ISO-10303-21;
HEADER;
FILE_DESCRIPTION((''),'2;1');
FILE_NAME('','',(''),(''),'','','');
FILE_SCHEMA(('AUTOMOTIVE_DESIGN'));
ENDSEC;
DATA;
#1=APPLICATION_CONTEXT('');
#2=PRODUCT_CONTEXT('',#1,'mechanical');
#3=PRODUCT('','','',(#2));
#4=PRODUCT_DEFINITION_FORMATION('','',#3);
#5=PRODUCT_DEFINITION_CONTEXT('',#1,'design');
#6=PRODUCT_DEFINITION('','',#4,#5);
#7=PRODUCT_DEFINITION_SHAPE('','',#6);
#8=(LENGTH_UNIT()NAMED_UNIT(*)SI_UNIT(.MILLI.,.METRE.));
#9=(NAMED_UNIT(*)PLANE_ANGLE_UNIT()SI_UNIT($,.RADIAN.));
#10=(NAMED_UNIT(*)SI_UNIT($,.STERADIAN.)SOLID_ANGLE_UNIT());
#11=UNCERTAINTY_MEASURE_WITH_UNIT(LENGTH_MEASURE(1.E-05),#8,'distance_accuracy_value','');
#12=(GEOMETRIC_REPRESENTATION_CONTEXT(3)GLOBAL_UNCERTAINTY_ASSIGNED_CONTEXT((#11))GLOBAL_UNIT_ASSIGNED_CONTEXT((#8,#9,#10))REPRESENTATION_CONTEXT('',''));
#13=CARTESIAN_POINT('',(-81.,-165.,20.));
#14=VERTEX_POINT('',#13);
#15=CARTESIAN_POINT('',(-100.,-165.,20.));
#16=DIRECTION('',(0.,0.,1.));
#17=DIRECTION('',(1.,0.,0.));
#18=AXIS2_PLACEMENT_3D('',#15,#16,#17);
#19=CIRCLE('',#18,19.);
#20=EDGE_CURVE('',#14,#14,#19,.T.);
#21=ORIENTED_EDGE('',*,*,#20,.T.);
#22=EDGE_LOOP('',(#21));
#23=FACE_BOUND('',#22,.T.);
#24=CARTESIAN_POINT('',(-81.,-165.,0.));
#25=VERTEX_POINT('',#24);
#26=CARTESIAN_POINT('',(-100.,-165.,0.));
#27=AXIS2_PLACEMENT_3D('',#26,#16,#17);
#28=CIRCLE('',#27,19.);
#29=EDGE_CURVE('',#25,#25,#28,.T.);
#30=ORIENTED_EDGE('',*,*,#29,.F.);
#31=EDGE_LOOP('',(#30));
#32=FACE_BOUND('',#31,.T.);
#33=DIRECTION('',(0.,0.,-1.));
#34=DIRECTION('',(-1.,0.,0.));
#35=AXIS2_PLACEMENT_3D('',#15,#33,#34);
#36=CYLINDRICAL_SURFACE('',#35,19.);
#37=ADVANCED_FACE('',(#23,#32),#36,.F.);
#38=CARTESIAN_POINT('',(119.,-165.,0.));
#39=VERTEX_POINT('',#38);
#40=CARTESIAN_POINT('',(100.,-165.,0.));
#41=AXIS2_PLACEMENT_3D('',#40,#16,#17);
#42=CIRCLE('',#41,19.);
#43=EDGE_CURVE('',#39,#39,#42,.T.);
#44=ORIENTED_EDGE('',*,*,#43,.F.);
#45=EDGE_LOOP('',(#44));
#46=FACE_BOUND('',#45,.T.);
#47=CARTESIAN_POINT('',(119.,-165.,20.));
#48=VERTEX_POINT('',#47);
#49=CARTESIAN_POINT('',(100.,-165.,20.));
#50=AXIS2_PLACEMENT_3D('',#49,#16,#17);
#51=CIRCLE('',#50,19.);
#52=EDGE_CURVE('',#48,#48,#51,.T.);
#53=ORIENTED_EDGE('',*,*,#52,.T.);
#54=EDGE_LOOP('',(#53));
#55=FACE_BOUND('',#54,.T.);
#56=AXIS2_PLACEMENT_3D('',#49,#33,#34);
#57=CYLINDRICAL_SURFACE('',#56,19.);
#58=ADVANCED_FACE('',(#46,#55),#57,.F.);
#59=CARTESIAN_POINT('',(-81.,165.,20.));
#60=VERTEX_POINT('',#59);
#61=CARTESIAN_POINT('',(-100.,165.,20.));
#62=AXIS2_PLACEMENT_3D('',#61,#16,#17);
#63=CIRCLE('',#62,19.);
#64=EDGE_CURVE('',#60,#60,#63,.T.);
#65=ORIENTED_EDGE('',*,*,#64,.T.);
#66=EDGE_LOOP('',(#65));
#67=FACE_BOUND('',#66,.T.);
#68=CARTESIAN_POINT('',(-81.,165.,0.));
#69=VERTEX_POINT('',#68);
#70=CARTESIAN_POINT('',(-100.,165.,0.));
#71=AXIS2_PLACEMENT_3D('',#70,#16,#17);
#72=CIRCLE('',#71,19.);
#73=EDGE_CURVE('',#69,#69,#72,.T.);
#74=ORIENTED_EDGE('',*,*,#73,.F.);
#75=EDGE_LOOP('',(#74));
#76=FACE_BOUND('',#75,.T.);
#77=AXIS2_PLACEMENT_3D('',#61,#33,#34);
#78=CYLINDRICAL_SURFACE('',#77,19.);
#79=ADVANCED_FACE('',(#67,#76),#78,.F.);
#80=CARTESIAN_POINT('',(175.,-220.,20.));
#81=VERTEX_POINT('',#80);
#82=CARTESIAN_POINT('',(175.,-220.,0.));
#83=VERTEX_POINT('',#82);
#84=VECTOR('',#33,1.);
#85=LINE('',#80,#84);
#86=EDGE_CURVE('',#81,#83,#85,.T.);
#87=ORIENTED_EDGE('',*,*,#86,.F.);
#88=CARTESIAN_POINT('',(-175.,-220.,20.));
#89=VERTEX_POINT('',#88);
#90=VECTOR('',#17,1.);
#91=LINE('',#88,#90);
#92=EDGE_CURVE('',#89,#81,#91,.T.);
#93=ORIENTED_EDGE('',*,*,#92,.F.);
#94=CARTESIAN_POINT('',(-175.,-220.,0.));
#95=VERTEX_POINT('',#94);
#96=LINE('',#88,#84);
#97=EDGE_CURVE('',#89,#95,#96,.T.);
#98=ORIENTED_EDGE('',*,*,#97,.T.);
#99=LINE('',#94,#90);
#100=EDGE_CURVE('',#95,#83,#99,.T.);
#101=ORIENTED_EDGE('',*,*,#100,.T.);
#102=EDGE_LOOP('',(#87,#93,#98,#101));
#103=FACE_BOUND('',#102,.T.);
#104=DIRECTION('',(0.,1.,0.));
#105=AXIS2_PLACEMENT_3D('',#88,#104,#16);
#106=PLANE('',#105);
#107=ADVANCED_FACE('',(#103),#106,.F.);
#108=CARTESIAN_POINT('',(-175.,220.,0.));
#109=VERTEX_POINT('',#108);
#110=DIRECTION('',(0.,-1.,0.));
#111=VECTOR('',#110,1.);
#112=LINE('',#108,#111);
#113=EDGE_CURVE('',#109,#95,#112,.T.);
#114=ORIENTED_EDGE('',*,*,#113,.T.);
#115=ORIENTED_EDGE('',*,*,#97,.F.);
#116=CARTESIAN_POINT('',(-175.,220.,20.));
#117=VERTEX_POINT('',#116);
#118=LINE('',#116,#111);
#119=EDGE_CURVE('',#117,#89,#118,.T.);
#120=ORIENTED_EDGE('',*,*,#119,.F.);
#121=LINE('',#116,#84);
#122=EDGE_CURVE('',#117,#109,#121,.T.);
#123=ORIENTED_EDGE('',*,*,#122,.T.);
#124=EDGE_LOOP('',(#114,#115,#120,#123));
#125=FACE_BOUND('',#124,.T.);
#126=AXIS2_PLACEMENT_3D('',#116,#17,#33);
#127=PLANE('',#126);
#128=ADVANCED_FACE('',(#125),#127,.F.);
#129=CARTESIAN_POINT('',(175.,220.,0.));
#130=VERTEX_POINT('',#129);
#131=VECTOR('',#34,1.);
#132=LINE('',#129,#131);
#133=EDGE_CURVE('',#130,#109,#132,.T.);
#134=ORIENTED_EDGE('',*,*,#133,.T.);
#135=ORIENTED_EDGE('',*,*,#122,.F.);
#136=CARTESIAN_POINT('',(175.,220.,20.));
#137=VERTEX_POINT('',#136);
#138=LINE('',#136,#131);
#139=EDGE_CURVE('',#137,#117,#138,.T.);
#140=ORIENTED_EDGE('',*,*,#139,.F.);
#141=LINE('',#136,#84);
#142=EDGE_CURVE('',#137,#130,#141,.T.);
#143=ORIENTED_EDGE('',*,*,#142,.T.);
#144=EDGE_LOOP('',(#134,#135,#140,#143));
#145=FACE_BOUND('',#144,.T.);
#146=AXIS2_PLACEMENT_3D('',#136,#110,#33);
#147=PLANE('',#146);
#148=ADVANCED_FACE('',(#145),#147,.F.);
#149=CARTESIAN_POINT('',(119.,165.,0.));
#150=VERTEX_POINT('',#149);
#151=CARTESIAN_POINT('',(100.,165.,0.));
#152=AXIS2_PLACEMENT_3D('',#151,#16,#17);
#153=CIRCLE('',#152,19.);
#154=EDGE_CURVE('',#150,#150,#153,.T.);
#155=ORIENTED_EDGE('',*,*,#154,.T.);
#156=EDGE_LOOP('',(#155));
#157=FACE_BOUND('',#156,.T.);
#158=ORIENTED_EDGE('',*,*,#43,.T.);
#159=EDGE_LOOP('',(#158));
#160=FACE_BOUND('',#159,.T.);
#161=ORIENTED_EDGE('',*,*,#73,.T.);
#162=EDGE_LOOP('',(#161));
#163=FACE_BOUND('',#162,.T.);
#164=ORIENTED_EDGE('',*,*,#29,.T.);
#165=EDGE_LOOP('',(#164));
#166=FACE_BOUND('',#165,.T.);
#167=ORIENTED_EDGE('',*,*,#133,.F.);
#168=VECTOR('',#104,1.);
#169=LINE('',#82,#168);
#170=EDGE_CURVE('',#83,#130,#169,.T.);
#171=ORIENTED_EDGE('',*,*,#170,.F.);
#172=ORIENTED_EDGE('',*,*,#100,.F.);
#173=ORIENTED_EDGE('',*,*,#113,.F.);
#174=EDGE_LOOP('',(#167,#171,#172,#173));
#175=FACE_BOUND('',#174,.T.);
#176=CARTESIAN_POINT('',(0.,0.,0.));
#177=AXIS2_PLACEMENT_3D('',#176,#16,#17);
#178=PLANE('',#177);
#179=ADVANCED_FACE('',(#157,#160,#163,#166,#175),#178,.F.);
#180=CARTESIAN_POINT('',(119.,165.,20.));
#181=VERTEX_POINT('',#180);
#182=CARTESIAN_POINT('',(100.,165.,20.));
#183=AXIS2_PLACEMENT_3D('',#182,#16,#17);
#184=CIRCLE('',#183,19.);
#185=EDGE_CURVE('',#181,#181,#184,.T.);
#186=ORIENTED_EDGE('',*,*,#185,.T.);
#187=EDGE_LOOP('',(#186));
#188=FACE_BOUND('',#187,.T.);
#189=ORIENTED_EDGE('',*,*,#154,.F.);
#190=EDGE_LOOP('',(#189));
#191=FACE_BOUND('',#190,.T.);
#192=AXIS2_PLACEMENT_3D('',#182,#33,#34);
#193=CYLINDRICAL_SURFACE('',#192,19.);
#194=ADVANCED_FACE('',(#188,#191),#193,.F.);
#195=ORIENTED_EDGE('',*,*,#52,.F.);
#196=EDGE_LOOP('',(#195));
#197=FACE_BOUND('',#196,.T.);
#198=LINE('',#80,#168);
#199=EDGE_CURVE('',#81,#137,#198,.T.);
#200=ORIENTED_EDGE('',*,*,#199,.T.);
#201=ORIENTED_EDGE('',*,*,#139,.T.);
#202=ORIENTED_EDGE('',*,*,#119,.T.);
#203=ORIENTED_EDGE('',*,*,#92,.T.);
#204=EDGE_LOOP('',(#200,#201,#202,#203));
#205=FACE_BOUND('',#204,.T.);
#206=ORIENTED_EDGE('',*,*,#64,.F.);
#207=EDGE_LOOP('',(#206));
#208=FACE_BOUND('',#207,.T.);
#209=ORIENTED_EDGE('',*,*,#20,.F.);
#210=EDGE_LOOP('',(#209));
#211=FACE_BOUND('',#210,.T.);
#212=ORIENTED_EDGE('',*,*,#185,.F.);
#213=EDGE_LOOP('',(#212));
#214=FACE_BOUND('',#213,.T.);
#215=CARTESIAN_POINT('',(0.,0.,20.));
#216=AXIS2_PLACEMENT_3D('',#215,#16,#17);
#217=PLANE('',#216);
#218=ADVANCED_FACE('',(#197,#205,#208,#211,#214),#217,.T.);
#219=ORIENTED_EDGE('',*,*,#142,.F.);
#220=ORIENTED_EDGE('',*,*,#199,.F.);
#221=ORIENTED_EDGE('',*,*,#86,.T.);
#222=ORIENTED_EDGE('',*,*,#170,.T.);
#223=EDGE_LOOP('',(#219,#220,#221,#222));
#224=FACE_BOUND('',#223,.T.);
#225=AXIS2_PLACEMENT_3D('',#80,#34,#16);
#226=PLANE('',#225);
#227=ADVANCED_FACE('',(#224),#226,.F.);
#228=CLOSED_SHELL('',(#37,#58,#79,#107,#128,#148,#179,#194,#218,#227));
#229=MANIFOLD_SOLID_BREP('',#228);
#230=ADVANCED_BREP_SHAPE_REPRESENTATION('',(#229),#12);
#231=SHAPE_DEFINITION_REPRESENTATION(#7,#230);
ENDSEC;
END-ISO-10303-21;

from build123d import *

# Parameters (mm, degrees)
SKETCH_1_W      = 350
SKETCH_1_H      = 440
SKETCH_1_R      = 19
EXTRUDE_1_DEPTH = 20


with BuildPart() as part:
    # Эскиз1 → Бобышка-Вытянуть1 (new body)
    with BuildSketch(Plane.XY):
        Rectangle(SKETCH_1_W, SKETCH_1_H)
        with Locations((-100, 165)):
            Circle(SKETCH_1_R, mode=Mode.SUBTRACT)
        with Locations((100, 165)):
            Circle(SKETCH_1_R, mode=Mode.SUBTRACT)
        with Locations((100, -165)):
            Circle(SKETCH_1_R, mode=Mode.SUBTRACT)
        with Locations((-100, -165)):
            Circle(SKETCH_1_R, mode=Mode.SUBTRACT)
    extrude(amount=EXTRUDE_1_DEPTH)


solid = part.part
